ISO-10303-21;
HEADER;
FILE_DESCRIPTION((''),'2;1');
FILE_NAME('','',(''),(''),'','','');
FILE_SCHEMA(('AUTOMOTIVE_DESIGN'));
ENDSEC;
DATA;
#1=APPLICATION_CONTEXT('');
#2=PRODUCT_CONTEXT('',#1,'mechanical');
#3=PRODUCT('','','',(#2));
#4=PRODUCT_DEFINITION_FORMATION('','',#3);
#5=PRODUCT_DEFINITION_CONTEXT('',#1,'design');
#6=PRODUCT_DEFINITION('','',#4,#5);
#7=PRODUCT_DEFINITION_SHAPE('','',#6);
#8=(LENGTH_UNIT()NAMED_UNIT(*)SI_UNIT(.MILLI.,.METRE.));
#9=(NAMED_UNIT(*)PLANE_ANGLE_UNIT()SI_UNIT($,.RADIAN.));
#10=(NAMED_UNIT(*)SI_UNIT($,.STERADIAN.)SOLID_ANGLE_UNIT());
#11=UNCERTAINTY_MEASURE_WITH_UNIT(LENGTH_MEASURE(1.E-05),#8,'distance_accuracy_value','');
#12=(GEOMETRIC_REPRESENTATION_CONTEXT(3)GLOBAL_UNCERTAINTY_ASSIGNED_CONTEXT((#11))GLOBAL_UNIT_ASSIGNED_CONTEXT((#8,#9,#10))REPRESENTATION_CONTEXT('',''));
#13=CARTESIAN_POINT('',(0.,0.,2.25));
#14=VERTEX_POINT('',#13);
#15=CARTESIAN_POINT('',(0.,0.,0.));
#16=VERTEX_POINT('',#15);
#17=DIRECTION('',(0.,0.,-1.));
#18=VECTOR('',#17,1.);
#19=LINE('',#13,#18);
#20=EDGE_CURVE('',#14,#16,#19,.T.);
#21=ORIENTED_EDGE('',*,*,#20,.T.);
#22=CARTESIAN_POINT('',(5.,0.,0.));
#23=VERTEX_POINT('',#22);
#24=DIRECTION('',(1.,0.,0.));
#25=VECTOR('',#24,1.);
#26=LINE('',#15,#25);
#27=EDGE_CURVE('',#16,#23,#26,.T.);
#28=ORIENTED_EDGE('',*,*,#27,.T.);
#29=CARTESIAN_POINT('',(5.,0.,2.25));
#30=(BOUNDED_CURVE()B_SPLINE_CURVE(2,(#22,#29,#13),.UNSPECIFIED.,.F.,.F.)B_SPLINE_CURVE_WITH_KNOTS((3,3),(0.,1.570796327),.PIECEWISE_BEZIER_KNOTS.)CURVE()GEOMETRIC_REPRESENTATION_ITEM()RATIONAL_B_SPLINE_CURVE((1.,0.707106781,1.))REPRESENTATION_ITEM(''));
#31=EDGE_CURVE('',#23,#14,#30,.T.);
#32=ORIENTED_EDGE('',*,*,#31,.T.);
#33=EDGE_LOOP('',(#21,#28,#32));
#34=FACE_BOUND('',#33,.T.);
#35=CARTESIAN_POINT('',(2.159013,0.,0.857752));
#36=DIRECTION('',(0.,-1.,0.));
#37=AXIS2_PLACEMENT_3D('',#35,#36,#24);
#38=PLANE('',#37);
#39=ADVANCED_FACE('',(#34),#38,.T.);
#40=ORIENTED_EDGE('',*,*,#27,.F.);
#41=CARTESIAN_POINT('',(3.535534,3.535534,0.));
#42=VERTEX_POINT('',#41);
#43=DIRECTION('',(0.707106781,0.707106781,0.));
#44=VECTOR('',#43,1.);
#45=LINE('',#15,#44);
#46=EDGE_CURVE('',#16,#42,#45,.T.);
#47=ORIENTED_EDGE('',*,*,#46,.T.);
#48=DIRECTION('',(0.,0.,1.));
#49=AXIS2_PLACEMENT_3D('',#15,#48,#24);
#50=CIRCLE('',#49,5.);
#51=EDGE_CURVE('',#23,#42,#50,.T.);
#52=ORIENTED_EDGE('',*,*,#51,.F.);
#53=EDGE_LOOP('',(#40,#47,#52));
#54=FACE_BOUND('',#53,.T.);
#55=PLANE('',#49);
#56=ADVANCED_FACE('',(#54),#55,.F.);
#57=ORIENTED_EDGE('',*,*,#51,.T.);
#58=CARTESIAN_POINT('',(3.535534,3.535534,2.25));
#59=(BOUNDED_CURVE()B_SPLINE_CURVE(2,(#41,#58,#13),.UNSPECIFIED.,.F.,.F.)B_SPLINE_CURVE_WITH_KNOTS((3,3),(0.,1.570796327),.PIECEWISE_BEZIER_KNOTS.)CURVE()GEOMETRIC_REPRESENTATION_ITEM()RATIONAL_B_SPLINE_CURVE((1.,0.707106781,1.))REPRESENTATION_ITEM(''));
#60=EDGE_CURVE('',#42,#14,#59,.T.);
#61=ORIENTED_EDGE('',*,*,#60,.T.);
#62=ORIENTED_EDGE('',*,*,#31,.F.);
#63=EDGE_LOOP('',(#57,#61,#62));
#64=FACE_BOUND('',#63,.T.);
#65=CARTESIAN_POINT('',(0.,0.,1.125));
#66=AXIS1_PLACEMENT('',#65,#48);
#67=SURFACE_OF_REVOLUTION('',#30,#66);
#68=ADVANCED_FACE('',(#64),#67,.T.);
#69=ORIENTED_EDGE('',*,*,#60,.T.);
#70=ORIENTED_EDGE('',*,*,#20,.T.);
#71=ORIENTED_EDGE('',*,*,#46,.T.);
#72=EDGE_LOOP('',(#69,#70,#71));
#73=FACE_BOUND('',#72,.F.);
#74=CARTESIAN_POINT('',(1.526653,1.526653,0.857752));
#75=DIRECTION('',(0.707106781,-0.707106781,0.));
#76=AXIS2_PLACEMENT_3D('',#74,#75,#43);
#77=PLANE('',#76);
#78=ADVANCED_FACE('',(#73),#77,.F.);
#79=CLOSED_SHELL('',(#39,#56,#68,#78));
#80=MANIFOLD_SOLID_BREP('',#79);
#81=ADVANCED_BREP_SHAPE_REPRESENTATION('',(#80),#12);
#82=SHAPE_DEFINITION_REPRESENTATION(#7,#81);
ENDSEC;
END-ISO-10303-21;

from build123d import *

# Parameters (mm, degrees)
F1_ANGLE = 45


with BuildPart() as f1:
    # F0 (on Front) → F1 (revolve)
    with BuildSketch(Plane.XZ):
        with BuildLine():
            Line((0, 0), (5, 0))
            add(Edge.make_bspline(
                [(5, 0), (5, 2.25), (0, 2.25)],
                knots=[0, 0, 0, 1.5707963268, 1.5707963268, 1.5707963268], degree=2, weights=[1, 0.7071067812, 1]))
            Line((0, 2.25), (0, 0))
        make_face()
    revolve(axis=Axis((0, 0, 1.125), (0, 0, 1)), revolution_arc=F1_ANGLE)


solid = f1.part
